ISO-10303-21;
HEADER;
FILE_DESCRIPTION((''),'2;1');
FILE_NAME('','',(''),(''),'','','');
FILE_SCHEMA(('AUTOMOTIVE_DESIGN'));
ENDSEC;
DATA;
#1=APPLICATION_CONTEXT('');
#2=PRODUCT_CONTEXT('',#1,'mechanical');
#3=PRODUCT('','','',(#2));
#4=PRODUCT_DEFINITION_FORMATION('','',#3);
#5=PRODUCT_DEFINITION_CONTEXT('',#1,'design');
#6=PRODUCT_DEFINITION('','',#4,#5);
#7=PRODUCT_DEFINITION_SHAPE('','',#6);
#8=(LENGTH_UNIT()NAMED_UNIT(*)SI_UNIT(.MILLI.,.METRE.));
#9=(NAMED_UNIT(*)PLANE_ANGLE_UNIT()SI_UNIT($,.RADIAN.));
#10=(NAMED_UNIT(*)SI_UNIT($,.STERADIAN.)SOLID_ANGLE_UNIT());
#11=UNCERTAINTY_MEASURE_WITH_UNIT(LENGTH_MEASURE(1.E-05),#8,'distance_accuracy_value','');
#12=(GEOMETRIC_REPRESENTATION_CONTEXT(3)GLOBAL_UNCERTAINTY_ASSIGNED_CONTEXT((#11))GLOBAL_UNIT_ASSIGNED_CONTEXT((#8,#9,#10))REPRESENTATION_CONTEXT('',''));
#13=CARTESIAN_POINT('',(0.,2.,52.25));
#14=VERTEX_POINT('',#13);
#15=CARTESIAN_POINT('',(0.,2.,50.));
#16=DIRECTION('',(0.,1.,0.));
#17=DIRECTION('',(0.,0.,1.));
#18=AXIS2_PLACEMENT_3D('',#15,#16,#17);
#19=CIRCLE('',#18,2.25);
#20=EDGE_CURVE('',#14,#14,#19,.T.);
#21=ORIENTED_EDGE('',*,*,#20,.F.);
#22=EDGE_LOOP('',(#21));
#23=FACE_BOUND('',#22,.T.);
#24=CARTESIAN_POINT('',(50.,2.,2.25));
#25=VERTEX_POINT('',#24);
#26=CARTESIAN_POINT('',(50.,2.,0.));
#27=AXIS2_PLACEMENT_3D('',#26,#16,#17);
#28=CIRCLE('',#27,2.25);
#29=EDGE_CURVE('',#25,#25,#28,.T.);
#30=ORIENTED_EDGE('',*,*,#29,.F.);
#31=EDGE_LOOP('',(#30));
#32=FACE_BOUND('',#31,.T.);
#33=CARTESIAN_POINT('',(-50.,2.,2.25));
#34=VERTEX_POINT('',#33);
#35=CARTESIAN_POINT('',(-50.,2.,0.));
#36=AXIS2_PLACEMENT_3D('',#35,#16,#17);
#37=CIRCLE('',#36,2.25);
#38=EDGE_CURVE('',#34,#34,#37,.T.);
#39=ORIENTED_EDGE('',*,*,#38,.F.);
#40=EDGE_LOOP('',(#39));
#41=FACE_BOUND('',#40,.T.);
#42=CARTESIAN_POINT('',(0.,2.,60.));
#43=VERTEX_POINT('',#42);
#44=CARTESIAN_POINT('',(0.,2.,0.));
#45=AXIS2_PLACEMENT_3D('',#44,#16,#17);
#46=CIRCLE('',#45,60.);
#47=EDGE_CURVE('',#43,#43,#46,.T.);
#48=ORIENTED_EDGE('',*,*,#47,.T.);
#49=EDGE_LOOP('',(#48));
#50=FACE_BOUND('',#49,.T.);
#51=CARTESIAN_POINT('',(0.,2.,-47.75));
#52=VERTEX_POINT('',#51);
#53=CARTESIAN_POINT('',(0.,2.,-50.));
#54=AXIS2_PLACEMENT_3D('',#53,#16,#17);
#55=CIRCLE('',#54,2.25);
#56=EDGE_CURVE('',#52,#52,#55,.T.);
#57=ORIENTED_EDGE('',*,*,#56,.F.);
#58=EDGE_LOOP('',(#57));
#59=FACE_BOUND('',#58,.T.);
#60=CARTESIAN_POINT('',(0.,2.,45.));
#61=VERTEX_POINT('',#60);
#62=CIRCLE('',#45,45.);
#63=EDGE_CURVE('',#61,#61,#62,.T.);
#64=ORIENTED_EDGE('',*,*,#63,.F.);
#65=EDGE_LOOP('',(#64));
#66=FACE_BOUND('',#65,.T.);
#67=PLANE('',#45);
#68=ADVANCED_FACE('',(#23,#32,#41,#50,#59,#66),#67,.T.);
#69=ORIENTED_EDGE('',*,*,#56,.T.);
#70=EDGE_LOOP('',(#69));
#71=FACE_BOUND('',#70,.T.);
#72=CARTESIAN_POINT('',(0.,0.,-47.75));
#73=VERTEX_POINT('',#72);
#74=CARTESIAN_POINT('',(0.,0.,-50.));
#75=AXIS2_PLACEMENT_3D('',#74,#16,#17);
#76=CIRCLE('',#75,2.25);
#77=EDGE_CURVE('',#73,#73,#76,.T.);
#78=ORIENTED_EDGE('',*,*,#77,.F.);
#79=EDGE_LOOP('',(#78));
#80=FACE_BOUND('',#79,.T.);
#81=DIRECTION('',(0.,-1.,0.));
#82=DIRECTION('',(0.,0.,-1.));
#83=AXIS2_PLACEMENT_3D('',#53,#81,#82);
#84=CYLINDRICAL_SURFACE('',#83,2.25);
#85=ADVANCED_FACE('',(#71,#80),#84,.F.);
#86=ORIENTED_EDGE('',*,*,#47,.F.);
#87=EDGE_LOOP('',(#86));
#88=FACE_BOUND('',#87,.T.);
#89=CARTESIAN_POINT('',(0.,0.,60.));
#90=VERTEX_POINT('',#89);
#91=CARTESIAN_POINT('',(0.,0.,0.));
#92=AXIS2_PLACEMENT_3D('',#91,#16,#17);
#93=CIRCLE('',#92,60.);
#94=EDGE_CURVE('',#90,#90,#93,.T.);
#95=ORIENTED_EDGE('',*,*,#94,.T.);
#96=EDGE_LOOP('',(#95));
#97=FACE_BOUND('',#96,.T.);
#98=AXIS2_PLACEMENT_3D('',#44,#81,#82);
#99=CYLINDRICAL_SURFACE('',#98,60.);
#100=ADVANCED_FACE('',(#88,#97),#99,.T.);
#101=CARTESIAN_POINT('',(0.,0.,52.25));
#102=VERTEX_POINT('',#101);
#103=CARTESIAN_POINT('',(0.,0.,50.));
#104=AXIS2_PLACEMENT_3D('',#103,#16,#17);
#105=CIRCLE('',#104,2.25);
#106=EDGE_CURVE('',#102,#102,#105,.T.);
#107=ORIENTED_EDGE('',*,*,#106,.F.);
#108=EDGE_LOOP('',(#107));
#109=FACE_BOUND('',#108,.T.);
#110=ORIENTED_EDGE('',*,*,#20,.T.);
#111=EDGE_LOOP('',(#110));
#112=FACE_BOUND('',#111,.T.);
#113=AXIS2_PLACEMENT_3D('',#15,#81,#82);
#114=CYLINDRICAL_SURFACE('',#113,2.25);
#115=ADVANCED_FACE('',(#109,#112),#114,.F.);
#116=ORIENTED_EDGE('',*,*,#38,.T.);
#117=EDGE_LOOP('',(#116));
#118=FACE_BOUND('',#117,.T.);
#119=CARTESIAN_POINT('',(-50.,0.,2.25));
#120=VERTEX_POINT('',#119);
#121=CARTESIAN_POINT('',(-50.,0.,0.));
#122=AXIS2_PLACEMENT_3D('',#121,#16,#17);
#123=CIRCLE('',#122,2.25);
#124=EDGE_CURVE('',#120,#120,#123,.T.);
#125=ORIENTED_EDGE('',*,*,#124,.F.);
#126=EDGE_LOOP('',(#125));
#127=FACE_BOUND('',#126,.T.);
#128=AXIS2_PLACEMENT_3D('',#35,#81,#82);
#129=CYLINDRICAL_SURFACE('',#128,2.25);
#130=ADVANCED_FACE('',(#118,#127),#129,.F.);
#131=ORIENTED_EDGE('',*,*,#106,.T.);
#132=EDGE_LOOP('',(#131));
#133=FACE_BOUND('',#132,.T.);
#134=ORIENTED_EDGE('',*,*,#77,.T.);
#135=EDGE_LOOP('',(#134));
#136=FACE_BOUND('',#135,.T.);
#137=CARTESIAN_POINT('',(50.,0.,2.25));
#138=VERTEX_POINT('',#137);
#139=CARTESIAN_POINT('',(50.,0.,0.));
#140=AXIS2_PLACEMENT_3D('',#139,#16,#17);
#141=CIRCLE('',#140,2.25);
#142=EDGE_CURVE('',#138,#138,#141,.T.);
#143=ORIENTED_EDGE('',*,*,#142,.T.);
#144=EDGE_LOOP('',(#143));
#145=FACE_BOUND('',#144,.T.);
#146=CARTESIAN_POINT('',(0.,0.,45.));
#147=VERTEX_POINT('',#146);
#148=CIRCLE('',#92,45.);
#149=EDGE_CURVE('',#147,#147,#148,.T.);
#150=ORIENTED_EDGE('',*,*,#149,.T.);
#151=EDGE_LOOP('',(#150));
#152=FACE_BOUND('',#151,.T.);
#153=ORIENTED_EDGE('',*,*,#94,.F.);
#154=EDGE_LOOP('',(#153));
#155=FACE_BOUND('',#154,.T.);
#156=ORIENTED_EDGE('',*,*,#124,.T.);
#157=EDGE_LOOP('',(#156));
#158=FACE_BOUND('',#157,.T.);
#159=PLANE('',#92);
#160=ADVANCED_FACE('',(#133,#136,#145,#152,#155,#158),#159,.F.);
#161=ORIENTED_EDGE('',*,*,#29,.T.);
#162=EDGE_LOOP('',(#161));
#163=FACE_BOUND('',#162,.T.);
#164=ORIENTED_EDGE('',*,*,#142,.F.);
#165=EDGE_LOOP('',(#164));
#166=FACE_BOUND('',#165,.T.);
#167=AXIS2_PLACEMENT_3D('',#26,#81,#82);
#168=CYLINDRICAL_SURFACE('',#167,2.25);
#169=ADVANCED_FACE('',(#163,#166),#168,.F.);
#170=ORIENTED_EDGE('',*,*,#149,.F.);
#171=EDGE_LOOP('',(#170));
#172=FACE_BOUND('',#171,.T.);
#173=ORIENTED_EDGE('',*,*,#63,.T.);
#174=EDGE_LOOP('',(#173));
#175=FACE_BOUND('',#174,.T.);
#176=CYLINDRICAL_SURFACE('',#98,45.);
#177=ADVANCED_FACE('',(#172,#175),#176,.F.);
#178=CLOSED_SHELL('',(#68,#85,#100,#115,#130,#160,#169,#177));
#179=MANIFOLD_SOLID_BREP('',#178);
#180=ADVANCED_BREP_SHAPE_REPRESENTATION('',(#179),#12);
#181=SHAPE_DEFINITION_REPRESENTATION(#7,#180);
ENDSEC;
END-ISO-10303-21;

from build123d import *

# Parameters (mm, degrees)
SKETCH1_R           = 60
SKETCH1_R_2         = 45
SKETCH1_R_3         = 2.25
BOSS_EXTRUDE1_DEPTH = 2


with BuildPart() as part:
    # Sketch1 → Boss-Extrude1 (new body)
    with BuildSketch(Plane(origin=(0, 0, 0), x_dir=(1, 0, 0), z_dir=(0, 1, 0))):
        with Locations(Location((0, 0, 0), (0, 0, 270))):
            Circle(SKETCH1_R)
        with Locations(Location((0, 0, 0), (0, 0, 270))):
            Circle(SKETCH1_R_2, mode=Mode.SUBTRACT)
        with Locations(Location((0, 50, 0), (0, 0, 270))):
            Circle(SKETCH1_R_3, mode=Mode.SUBTRACT)
        with Locations(Location((50, 0, 0), (0, 0, 270))):
            Circle(SKETCH1_R_3, mode=Mode.SUBTRACT)
        with Locations(Location((0, -50, 0), (0, 0, 270))):
            Circle(SKETCH1_R_3, mode=Mode.SUBTRACT)
        with Locations(Location((-50, 0, 0), (0, 0, 270))):
            Circle(SKETCH1_R_3, mode=Mode.SUBTRACT)
    extrude(amount=BOSS_EXTRUDE1_DEPTH)


solid = part.part
